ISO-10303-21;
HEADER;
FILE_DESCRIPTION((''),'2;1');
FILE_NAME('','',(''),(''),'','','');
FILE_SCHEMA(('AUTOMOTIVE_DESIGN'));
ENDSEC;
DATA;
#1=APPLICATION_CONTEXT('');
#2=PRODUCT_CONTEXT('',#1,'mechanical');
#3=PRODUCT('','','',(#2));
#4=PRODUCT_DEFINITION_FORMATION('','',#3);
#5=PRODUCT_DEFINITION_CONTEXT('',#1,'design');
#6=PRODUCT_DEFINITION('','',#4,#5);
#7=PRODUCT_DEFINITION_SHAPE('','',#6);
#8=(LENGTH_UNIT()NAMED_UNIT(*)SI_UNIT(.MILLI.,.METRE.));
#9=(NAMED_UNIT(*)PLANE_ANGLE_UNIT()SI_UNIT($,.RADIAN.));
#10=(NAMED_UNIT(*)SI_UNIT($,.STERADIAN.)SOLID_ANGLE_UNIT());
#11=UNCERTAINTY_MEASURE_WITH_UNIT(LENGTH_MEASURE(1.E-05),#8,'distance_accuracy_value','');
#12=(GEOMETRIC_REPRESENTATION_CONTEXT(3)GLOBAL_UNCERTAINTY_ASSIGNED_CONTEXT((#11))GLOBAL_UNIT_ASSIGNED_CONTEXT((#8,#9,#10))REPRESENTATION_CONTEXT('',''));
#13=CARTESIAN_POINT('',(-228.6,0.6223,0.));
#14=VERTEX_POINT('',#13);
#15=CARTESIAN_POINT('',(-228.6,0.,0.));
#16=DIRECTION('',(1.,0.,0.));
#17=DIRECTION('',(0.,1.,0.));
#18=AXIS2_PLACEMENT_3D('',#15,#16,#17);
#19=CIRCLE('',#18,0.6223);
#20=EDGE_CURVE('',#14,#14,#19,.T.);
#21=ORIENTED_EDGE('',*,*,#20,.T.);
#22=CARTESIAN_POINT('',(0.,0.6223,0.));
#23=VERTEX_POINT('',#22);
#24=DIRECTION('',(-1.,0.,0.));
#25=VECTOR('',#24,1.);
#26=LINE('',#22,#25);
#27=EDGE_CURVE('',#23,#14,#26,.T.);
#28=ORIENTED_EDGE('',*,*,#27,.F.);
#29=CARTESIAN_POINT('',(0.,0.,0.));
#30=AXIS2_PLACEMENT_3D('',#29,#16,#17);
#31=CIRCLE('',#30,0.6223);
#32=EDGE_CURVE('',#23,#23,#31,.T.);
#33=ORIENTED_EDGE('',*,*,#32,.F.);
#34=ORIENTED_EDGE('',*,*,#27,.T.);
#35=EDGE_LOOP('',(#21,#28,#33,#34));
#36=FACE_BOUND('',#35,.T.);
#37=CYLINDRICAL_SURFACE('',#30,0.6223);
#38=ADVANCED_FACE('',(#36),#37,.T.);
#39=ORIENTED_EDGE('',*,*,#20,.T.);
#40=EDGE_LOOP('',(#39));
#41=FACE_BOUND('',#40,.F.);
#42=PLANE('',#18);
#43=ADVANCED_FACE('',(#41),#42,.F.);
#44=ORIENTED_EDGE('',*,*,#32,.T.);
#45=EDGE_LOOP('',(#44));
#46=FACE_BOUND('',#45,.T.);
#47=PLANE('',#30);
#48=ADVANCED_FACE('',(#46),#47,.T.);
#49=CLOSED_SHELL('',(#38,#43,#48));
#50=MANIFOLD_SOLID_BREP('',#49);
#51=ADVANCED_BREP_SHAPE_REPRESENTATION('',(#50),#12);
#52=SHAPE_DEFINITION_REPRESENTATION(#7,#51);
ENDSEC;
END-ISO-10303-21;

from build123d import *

# Parameters (mm, degrees)
F0_R     = 0.6223
F1_DEPTH = 228.6


with BuildPart() as f1:
    # F0 (on Right) → F1 (new body)
    with BuildSketch(Plane.YZ):
        Circle(F0_R)
    extrude(amount=-F1_DEPTH)


with BuildPart() as f2_1:
    # F2: copy of F1
    add(f1.part)


with BuildPart() as f3_1:
    # F3: copy of F1
    add(f1.part)


solid = f1.part
